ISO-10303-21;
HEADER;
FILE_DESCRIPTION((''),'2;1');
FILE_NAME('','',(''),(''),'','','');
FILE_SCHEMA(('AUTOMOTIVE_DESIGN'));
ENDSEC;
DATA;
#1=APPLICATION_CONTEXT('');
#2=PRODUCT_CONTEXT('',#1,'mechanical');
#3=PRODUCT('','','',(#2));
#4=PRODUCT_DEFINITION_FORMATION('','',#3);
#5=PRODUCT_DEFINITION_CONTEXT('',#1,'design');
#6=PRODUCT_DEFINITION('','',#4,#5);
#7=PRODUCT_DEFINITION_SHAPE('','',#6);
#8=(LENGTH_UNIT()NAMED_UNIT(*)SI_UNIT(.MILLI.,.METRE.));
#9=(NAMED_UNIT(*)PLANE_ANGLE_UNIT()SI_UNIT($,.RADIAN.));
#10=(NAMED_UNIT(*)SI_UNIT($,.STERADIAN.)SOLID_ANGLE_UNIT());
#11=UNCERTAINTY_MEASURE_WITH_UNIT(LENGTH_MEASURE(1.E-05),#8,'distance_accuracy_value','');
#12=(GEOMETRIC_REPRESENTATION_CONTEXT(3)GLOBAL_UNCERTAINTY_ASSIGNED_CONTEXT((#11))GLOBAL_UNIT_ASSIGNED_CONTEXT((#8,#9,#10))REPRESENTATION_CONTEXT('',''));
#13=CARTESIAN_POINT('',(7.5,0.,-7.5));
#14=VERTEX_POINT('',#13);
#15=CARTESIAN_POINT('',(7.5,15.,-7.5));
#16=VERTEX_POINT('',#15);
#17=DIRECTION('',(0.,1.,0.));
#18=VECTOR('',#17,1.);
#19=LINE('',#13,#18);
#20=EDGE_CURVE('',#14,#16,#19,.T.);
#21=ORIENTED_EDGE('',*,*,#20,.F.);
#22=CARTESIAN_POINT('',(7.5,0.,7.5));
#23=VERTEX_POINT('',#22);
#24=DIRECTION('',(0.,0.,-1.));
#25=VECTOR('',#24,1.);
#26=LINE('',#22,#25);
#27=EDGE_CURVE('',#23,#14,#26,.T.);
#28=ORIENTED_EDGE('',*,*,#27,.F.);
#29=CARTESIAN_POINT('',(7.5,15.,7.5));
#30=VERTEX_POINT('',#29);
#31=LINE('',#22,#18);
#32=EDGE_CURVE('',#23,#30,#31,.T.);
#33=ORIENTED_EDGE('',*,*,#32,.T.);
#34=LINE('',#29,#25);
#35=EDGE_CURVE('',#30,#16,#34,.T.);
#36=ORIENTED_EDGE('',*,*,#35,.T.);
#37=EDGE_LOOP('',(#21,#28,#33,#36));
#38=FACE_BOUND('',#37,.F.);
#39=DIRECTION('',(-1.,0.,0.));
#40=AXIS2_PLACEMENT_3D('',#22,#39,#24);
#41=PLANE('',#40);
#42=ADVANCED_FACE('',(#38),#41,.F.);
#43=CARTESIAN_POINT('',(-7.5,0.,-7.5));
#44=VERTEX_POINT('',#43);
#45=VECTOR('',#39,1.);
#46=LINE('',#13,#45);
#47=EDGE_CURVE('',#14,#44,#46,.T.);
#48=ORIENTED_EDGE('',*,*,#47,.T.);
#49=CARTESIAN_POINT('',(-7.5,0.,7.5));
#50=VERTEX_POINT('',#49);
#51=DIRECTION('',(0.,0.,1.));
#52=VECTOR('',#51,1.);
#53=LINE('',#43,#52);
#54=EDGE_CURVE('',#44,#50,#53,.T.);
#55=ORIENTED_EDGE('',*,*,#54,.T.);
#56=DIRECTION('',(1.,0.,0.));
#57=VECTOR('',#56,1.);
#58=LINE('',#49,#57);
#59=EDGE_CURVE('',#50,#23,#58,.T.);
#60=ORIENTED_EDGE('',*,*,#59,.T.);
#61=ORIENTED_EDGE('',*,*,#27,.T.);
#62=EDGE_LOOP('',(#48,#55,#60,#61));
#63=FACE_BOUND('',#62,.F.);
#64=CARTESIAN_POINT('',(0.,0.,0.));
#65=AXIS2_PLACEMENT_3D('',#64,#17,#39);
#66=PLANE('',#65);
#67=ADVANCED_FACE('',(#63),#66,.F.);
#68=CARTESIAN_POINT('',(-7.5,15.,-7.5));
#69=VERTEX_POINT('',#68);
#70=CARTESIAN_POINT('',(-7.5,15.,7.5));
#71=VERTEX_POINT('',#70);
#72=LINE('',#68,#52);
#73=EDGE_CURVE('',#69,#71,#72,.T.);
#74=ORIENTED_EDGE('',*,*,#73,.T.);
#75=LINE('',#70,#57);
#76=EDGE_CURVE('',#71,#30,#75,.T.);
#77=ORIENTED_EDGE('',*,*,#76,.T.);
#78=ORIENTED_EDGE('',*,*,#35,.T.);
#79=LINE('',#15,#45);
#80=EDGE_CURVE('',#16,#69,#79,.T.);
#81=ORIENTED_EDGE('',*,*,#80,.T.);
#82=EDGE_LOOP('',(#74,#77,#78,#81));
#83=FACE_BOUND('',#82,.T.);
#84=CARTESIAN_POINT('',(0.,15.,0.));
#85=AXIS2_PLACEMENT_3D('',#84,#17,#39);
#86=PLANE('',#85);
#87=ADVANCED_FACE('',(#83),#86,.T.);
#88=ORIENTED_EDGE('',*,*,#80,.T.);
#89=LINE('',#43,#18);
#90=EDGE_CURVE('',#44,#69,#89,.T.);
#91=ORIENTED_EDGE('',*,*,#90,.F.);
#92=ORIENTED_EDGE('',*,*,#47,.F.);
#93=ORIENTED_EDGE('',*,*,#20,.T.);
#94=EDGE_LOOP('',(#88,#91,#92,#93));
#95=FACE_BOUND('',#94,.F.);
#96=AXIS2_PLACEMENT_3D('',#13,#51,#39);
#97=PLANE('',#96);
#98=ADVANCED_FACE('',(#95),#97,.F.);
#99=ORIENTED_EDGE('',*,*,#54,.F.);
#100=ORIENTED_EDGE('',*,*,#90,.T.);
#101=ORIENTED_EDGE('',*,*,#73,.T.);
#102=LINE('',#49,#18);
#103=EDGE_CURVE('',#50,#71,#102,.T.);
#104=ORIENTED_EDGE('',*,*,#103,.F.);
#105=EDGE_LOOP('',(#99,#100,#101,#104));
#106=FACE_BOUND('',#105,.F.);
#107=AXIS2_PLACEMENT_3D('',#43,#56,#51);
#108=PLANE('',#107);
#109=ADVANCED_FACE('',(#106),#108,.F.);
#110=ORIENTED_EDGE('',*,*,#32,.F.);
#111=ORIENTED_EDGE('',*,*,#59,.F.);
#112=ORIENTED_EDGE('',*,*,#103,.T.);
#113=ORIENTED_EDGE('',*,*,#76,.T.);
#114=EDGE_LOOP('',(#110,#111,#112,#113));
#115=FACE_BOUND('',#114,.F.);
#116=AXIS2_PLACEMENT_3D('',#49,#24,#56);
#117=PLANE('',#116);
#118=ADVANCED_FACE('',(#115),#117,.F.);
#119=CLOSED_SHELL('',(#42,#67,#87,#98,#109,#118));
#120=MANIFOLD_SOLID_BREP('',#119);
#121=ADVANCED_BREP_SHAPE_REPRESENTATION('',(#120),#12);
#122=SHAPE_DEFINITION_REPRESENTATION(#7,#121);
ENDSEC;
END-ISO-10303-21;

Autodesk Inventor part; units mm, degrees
ref_plane "YZ Plane" through (0, 0, 0) normal (1, 0, 0) x (0, 1, 0)
ref_plane "XZ Plane" through (0, 0, 0) normal (0, 1, 0) x (-1, 0, 0)
ref_plane "XY Plane" through (0, 0, 0) normal (0, 0, 1) x (1, 0, 0)
sketch "Sketch1" plane through (0, 0, 0) normal (0, 1, 0) x (-1, 0, 0)
  line L0 (-7.5, -7.5) -> (7.5, -7.5)
  line L1 (7.5, -7.5) -> (7.5, 7.5)
  line L2 (7.5, 7.5) -> (-7.5, 7.5)
  line L3 (-7.5, 7.5) -> (-7.5, -7.5)
  line L4 (-7.5, -7.5) -> (7.5, 7.5) construction
  line L5 (7.5, -7.5) -> (-7.5, 7.5) construction
  point P0 (0, 0)
  dimension "d0" = 15
  dimension "d1" = 15
extrude "Extrusion1" add sketch "Sketch1" along normal blind 15
properties part number "reinforcement"
